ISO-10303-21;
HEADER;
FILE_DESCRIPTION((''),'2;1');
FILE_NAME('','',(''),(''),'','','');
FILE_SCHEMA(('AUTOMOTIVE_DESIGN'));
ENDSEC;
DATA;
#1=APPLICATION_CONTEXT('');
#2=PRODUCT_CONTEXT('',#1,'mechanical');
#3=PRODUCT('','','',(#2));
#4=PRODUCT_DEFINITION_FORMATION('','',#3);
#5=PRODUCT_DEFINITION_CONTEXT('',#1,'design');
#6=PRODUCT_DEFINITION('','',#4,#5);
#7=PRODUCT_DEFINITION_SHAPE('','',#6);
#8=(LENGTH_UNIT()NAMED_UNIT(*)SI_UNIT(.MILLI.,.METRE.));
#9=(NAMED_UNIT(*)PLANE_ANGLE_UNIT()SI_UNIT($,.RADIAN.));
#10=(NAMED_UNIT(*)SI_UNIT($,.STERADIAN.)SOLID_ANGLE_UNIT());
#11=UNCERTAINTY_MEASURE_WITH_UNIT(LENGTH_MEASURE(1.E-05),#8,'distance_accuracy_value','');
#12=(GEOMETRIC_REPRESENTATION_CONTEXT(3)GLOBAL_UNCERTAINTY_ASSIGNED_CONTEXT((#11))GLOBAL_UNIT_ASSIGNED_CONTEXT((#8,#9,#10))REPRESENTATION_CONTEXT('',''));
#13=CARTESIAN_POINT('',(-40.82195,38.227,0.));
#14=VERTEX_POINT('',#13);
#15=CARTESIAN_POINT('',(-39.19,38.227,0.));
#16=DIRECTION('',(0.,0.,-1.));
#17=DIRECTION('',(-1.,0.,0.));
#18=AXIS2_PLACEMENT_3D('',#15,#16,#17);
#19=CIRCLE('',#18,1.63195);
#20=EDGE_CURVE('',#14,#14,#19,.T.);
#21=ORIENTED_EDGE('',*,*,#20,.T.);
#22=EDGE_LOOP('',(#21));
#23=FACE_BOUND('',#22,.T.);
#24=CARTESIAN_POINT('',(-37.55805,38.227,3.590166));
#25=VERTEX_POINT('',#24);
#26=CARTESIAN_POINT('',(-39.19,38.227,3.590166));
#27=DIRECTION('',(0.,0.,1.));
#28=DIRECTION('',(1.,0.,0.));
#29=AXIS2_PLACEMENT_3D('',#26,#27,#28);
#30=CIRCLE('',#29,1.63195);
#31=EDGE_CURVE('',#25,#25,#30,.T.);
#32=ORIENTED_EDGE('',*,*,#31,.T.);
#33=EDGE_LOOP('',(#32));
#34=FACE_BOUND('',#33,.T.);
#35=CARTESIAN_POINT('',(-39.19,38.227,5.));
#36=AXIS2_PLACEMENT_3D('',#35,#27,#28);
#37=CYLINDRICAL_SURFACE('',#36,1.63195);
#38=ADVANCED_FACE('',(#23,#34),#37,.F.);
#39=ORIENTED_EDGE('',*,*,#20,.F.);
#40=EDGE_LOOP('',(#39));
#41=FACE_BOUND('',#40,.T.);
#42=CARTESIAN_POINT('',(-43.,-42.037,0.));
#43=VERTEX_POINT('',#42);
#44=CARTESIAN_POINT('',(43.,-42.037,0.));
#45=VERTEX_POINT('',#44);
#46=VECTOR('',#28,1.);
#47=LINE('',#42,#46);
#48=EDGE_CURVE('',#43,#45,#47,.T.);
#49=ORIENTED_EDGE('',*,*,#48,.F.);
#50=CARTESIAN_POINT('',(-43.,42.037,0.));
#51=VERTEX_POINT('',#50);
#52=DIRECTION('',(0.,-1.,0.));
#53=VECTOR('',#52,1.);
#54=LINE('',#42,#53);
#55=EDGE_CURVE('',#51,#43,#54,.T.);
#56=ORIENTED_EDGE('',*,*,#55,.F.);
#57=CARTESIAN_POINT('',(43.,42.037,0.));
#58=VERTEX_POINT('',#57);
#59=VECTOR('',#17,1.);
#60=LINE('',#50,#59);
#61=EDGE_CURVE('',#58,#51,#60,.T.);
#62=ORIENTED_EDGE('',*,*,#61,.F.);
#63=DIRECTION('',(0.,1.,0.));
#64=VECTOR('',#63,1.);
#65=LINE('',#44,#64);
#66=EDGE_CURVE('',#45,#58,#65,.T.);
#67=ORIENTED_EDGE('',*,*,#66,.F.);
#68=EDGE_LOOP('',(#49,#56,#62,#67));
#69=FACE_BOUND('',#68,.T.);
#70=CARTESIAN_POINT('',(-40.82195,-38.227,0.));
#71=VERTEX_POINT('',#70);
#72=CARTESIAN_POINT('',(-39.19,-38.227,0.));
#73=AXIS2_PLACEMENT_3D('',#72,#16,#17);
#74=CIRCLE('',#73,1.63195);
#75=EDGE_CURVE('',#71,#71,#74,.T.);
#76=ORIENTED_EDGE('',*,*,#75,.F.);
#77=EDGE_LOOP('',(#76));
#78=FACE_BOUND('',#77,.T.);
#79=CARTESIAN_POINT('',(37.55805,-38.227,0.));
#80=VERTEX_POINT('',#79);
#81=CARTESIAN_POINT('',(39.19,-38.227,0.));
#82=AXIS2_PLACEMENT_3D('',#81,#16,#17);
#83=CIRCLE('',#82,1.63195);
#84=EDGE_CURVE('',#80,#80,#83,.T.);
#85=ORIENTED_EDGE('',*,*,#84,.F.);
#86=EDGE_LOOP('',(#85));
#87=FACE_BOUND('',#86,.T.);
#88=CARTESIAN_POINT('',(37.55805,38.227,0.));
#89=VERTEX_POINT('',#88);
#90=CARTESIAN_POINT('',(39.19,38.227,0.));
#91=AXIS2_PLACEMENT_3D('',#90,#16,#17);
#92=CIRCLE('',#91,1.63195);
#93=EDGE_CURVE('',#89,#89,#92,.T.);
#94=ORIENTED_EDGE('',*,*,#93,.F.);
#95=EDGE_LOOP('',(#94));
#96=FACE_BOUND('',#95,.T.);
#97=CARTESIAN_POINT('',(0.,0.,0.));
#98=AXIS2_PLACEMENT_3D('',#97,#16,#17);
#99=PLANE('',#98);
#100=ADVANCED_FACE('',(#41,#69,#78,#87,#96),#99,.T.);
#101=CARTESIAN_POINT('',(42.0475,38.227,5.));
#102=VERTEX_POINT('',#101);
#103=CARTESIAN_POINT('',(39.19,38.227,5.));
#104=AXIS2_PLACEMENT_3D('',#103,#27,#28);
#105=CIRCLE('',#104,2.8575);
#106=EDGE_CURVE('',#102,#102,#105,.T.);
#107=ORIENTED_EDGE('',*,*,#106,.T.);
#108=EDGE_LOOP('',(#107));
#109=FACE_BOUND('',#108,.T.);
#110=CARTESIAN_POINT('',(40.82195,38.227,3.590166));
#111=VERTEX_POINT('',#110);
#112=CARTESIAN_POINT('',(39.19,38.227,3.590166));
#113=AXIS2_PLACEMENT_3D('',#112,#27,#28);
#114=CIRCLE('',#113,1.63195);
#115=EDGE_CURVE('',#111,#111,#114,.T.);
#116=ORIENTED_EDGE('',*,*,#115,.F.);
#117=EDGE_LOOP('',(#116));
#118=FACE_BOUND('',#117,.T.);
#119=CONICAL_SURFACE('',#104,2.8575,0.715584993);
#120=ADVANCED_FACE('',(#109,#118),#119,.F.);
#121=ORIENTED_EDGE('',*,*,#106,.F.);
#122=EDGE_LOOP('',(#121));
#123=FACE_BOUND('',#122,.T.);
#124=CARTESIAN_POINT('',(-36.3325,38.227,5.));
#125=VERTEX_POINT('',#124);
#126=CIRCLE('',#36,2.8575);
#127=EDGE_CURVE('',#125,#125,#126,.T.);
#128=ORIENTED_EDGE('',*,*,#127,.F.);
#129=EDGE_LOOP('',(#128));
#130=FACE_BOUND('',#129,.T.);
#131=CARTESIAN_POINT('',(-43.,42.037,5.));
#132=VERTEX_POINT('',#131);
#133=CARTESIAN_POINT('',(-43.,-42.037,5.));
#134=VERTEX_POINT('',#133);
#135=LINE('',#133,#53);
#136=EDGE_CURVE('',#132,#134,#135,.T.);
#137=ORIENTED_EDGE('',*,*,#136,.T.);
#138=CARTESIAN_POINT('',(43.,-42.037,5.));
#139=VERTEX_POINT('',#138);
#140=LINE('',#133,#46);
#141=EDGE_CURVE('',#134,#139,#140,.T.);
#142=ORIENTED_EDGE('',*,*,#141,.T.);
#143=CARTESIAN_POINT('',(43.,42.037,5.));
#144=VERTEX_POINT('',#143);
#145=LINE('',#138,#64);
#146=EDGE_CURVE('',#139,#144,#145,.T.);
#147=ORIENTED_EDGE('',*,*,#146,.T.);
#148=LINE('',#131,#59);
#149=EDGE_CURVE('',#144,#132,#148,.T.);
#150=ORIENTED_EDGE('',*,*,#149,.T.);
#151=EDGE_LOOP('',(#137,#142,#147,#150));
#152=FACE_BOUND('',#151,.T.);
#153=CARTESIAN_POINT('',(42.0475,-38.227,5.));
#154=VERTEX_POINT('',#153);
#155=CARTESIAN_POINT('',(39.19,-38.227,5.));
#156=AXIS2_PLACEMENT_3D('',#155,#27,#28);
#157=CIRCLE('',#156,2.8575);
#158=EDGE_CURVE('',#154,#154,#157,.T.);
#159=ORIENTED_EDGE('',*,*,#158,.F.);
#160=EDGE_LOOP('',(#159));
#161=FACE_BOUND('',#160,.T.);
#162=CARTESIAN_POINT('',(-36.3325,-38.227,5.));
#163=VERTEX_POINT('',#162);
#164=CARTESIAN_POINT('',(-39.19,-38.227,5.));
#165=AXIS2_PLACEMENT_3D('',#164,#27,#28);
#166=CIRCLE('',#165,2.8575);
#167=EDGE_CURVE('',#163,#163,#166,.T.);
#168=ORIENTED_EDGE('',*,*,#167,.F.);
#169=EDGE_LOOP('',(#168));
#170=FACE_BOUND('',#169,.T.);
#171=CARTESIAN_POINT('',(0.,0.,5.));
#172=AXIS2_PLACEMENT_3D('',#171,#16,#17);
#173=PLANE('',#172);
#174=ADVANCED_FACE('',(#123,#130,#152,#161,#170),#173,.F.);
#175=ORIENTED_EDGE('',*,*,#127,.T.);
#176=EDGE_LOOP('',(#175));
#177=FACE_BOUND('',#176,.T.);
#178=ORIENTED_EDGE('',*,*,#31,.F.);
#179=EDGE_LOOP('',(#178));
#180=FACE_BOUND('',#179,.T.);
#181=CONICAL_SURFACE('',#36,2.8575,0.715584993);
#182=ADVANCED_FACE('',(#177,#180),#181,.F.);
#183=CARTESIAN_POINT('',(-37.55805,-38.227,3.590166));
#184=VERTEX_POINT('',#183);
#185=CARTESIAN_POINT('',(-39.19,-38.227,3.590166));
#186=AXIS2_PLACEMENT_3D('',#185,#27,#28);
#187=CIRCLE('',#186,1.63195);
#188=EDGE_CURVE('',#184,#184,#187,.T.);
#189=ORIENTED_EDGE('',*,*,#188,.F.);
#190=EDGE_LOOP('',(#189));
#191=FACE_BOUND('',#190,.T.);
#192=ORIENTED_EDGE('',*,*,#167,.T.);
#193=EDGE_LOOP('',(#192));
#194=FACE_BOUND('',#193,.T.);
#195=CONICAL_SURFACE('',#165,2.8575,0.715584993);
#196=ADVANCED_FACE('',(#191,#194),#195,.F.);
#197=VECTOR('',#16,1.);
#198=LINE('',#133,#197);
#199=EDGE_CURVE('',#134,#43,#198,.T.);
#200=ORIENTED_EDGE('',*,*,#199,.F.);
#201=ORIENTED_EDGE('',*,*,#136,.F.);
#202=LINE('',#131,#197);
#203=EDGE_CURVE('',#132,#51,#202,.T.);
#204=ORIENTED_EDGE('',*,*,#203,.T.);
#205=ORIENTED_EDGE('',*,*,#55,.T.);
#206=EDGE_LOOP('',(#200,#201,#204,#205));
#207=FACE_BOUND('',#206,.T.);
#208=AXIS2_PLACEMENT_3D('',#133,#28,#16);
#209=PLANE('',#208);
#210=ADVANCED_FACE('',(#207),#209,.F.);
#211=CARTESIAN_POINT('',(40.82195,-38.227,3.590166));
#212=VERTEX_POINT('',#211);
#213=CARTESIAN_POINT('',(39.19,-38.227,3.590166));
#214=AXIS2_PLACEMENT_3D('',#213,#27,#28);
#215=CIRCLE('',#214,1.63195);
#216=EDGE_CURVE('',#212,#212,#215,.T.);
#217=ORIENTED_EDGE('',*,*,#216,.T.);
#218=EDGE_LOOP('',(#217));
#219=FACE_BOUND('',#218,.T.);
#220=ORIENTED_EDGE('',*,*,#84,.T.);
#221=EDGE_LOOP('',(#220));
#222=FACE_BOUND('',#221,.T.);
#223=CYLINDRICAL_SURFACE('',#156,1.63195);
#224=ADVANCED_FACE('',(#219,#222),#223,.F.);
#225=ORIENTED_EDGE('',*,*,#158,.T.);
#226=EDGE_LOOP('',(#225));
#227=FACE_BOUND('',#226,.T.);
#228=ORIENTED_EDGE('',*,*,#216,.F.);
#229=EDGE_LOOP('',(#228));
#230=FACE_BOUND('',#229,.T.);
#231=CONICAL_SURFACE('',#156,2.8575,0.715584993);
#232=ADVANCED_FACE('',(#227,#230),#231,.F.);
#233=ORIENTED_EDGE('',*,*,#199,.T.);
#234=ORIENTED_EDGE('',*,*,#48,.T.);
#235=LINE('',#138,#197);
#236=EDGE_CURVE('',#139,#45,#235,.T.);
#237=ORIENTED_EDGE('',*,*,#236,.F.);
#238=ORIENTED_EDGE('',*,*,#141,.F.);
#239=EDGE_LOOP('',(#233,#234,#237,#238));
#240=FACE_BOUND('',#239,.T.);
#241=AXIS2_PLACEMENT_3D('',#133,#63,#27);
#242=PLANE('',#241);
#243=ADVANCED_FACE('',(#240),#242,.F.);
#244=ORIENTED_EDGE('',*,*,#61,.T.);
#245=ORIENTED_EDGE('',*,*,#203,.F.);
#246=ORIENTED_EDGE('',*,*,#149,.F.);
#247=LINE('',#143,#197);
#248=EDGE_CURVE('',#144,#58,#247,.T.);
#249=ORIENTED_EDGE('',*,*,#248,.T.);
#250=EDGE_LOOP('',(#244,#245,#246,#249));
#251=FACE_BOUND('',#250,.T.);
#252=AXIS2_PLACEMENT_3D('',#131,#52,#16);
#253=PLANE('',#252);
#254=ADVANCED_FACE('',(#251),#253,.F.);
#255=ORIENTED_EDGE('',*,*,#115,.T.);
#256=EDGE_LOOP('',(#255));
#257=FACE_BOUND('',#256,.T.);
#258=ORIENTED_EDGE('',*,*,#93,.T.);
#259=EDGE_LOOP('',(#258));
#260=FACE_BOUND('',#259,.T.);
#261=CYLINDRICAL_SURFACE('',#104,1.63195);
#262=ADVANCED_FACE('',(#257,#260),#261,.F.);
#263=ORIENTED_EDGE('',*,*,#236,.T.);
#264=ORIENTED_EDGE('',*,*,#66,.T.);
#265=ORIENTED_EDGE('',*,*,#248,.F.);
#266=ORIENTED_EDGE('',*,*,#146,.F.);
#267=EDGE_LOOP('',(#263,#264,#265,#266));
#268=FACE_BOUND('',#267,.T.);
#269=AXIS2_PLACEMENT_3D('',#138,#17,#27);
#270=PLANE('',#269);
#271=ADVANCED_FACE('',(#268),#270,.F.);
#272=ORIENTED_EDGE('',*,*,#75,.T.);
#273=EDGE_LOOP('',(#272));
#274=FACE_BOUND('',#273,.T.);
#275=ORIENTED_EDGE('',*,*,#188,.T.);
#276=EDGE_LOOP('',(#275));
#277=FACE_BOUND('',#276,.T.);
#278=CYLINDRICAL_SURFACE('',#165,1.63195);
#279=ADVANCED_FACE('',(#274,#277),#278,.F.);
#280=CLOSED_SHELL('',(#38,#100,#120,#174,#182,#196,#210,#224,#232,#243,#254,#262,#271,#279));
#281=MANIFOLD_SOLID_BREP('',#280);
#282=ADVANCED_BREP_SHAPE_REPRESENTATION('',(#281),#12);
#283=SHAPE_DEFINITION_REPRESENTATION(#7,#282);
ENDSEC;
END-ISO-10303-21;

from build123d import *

# Parameters (mm, degrees)
SKETCH1_W                                      = 85.999999704
SKETCH1_H                                      = 84.074
BOSS_EXTRUDE1_DEPTH                            = 4.999999906
CSK_FOR_4_FLAT_HEAD_MACHINE_SCREW1_D           = 3.2639
CSK_FOR_4_FLAT_HEAD_MACHINE_SCREW1_CSINK_D     = 5.715
CSK_FOR_4_FLAT_HEAD_MACHINE_SCREW1_CSINK_ANGLE = 82


with BuildPart() as part:
    # Sketch1 → Boss-Extrude1 (new body)
    with BuildSketch(Plane.XY):
        Rectangle(SKETCH1_W, SKETCH1_H)
    extrude(amount=BOSS_EXTRUDE1_DEPTH)

    # CSK for #4 Flat Head Machine Screw1 (through all)
    with Locations(Plane.XY.offset(4.999999906)):
        with Locations((-39.189999852, 38.227), (39.189999852, 38.227), (-39.189999852, -38.227), (39.189999852, -38.227)):
            CounterSinkHole(CSK_FOR_4_FLAT_HEAD_MACHINE_SCREW1_D / 2, CSK_FOR_4_FLAT_HEAD_MACHINE_SCREW1_CSINK_D / 2, counter_sink_angle=CSK_FOR_4_FLAT_HEAD_MACHINE_SCREW1_CSINK_ANGLE)


solid = part.part
